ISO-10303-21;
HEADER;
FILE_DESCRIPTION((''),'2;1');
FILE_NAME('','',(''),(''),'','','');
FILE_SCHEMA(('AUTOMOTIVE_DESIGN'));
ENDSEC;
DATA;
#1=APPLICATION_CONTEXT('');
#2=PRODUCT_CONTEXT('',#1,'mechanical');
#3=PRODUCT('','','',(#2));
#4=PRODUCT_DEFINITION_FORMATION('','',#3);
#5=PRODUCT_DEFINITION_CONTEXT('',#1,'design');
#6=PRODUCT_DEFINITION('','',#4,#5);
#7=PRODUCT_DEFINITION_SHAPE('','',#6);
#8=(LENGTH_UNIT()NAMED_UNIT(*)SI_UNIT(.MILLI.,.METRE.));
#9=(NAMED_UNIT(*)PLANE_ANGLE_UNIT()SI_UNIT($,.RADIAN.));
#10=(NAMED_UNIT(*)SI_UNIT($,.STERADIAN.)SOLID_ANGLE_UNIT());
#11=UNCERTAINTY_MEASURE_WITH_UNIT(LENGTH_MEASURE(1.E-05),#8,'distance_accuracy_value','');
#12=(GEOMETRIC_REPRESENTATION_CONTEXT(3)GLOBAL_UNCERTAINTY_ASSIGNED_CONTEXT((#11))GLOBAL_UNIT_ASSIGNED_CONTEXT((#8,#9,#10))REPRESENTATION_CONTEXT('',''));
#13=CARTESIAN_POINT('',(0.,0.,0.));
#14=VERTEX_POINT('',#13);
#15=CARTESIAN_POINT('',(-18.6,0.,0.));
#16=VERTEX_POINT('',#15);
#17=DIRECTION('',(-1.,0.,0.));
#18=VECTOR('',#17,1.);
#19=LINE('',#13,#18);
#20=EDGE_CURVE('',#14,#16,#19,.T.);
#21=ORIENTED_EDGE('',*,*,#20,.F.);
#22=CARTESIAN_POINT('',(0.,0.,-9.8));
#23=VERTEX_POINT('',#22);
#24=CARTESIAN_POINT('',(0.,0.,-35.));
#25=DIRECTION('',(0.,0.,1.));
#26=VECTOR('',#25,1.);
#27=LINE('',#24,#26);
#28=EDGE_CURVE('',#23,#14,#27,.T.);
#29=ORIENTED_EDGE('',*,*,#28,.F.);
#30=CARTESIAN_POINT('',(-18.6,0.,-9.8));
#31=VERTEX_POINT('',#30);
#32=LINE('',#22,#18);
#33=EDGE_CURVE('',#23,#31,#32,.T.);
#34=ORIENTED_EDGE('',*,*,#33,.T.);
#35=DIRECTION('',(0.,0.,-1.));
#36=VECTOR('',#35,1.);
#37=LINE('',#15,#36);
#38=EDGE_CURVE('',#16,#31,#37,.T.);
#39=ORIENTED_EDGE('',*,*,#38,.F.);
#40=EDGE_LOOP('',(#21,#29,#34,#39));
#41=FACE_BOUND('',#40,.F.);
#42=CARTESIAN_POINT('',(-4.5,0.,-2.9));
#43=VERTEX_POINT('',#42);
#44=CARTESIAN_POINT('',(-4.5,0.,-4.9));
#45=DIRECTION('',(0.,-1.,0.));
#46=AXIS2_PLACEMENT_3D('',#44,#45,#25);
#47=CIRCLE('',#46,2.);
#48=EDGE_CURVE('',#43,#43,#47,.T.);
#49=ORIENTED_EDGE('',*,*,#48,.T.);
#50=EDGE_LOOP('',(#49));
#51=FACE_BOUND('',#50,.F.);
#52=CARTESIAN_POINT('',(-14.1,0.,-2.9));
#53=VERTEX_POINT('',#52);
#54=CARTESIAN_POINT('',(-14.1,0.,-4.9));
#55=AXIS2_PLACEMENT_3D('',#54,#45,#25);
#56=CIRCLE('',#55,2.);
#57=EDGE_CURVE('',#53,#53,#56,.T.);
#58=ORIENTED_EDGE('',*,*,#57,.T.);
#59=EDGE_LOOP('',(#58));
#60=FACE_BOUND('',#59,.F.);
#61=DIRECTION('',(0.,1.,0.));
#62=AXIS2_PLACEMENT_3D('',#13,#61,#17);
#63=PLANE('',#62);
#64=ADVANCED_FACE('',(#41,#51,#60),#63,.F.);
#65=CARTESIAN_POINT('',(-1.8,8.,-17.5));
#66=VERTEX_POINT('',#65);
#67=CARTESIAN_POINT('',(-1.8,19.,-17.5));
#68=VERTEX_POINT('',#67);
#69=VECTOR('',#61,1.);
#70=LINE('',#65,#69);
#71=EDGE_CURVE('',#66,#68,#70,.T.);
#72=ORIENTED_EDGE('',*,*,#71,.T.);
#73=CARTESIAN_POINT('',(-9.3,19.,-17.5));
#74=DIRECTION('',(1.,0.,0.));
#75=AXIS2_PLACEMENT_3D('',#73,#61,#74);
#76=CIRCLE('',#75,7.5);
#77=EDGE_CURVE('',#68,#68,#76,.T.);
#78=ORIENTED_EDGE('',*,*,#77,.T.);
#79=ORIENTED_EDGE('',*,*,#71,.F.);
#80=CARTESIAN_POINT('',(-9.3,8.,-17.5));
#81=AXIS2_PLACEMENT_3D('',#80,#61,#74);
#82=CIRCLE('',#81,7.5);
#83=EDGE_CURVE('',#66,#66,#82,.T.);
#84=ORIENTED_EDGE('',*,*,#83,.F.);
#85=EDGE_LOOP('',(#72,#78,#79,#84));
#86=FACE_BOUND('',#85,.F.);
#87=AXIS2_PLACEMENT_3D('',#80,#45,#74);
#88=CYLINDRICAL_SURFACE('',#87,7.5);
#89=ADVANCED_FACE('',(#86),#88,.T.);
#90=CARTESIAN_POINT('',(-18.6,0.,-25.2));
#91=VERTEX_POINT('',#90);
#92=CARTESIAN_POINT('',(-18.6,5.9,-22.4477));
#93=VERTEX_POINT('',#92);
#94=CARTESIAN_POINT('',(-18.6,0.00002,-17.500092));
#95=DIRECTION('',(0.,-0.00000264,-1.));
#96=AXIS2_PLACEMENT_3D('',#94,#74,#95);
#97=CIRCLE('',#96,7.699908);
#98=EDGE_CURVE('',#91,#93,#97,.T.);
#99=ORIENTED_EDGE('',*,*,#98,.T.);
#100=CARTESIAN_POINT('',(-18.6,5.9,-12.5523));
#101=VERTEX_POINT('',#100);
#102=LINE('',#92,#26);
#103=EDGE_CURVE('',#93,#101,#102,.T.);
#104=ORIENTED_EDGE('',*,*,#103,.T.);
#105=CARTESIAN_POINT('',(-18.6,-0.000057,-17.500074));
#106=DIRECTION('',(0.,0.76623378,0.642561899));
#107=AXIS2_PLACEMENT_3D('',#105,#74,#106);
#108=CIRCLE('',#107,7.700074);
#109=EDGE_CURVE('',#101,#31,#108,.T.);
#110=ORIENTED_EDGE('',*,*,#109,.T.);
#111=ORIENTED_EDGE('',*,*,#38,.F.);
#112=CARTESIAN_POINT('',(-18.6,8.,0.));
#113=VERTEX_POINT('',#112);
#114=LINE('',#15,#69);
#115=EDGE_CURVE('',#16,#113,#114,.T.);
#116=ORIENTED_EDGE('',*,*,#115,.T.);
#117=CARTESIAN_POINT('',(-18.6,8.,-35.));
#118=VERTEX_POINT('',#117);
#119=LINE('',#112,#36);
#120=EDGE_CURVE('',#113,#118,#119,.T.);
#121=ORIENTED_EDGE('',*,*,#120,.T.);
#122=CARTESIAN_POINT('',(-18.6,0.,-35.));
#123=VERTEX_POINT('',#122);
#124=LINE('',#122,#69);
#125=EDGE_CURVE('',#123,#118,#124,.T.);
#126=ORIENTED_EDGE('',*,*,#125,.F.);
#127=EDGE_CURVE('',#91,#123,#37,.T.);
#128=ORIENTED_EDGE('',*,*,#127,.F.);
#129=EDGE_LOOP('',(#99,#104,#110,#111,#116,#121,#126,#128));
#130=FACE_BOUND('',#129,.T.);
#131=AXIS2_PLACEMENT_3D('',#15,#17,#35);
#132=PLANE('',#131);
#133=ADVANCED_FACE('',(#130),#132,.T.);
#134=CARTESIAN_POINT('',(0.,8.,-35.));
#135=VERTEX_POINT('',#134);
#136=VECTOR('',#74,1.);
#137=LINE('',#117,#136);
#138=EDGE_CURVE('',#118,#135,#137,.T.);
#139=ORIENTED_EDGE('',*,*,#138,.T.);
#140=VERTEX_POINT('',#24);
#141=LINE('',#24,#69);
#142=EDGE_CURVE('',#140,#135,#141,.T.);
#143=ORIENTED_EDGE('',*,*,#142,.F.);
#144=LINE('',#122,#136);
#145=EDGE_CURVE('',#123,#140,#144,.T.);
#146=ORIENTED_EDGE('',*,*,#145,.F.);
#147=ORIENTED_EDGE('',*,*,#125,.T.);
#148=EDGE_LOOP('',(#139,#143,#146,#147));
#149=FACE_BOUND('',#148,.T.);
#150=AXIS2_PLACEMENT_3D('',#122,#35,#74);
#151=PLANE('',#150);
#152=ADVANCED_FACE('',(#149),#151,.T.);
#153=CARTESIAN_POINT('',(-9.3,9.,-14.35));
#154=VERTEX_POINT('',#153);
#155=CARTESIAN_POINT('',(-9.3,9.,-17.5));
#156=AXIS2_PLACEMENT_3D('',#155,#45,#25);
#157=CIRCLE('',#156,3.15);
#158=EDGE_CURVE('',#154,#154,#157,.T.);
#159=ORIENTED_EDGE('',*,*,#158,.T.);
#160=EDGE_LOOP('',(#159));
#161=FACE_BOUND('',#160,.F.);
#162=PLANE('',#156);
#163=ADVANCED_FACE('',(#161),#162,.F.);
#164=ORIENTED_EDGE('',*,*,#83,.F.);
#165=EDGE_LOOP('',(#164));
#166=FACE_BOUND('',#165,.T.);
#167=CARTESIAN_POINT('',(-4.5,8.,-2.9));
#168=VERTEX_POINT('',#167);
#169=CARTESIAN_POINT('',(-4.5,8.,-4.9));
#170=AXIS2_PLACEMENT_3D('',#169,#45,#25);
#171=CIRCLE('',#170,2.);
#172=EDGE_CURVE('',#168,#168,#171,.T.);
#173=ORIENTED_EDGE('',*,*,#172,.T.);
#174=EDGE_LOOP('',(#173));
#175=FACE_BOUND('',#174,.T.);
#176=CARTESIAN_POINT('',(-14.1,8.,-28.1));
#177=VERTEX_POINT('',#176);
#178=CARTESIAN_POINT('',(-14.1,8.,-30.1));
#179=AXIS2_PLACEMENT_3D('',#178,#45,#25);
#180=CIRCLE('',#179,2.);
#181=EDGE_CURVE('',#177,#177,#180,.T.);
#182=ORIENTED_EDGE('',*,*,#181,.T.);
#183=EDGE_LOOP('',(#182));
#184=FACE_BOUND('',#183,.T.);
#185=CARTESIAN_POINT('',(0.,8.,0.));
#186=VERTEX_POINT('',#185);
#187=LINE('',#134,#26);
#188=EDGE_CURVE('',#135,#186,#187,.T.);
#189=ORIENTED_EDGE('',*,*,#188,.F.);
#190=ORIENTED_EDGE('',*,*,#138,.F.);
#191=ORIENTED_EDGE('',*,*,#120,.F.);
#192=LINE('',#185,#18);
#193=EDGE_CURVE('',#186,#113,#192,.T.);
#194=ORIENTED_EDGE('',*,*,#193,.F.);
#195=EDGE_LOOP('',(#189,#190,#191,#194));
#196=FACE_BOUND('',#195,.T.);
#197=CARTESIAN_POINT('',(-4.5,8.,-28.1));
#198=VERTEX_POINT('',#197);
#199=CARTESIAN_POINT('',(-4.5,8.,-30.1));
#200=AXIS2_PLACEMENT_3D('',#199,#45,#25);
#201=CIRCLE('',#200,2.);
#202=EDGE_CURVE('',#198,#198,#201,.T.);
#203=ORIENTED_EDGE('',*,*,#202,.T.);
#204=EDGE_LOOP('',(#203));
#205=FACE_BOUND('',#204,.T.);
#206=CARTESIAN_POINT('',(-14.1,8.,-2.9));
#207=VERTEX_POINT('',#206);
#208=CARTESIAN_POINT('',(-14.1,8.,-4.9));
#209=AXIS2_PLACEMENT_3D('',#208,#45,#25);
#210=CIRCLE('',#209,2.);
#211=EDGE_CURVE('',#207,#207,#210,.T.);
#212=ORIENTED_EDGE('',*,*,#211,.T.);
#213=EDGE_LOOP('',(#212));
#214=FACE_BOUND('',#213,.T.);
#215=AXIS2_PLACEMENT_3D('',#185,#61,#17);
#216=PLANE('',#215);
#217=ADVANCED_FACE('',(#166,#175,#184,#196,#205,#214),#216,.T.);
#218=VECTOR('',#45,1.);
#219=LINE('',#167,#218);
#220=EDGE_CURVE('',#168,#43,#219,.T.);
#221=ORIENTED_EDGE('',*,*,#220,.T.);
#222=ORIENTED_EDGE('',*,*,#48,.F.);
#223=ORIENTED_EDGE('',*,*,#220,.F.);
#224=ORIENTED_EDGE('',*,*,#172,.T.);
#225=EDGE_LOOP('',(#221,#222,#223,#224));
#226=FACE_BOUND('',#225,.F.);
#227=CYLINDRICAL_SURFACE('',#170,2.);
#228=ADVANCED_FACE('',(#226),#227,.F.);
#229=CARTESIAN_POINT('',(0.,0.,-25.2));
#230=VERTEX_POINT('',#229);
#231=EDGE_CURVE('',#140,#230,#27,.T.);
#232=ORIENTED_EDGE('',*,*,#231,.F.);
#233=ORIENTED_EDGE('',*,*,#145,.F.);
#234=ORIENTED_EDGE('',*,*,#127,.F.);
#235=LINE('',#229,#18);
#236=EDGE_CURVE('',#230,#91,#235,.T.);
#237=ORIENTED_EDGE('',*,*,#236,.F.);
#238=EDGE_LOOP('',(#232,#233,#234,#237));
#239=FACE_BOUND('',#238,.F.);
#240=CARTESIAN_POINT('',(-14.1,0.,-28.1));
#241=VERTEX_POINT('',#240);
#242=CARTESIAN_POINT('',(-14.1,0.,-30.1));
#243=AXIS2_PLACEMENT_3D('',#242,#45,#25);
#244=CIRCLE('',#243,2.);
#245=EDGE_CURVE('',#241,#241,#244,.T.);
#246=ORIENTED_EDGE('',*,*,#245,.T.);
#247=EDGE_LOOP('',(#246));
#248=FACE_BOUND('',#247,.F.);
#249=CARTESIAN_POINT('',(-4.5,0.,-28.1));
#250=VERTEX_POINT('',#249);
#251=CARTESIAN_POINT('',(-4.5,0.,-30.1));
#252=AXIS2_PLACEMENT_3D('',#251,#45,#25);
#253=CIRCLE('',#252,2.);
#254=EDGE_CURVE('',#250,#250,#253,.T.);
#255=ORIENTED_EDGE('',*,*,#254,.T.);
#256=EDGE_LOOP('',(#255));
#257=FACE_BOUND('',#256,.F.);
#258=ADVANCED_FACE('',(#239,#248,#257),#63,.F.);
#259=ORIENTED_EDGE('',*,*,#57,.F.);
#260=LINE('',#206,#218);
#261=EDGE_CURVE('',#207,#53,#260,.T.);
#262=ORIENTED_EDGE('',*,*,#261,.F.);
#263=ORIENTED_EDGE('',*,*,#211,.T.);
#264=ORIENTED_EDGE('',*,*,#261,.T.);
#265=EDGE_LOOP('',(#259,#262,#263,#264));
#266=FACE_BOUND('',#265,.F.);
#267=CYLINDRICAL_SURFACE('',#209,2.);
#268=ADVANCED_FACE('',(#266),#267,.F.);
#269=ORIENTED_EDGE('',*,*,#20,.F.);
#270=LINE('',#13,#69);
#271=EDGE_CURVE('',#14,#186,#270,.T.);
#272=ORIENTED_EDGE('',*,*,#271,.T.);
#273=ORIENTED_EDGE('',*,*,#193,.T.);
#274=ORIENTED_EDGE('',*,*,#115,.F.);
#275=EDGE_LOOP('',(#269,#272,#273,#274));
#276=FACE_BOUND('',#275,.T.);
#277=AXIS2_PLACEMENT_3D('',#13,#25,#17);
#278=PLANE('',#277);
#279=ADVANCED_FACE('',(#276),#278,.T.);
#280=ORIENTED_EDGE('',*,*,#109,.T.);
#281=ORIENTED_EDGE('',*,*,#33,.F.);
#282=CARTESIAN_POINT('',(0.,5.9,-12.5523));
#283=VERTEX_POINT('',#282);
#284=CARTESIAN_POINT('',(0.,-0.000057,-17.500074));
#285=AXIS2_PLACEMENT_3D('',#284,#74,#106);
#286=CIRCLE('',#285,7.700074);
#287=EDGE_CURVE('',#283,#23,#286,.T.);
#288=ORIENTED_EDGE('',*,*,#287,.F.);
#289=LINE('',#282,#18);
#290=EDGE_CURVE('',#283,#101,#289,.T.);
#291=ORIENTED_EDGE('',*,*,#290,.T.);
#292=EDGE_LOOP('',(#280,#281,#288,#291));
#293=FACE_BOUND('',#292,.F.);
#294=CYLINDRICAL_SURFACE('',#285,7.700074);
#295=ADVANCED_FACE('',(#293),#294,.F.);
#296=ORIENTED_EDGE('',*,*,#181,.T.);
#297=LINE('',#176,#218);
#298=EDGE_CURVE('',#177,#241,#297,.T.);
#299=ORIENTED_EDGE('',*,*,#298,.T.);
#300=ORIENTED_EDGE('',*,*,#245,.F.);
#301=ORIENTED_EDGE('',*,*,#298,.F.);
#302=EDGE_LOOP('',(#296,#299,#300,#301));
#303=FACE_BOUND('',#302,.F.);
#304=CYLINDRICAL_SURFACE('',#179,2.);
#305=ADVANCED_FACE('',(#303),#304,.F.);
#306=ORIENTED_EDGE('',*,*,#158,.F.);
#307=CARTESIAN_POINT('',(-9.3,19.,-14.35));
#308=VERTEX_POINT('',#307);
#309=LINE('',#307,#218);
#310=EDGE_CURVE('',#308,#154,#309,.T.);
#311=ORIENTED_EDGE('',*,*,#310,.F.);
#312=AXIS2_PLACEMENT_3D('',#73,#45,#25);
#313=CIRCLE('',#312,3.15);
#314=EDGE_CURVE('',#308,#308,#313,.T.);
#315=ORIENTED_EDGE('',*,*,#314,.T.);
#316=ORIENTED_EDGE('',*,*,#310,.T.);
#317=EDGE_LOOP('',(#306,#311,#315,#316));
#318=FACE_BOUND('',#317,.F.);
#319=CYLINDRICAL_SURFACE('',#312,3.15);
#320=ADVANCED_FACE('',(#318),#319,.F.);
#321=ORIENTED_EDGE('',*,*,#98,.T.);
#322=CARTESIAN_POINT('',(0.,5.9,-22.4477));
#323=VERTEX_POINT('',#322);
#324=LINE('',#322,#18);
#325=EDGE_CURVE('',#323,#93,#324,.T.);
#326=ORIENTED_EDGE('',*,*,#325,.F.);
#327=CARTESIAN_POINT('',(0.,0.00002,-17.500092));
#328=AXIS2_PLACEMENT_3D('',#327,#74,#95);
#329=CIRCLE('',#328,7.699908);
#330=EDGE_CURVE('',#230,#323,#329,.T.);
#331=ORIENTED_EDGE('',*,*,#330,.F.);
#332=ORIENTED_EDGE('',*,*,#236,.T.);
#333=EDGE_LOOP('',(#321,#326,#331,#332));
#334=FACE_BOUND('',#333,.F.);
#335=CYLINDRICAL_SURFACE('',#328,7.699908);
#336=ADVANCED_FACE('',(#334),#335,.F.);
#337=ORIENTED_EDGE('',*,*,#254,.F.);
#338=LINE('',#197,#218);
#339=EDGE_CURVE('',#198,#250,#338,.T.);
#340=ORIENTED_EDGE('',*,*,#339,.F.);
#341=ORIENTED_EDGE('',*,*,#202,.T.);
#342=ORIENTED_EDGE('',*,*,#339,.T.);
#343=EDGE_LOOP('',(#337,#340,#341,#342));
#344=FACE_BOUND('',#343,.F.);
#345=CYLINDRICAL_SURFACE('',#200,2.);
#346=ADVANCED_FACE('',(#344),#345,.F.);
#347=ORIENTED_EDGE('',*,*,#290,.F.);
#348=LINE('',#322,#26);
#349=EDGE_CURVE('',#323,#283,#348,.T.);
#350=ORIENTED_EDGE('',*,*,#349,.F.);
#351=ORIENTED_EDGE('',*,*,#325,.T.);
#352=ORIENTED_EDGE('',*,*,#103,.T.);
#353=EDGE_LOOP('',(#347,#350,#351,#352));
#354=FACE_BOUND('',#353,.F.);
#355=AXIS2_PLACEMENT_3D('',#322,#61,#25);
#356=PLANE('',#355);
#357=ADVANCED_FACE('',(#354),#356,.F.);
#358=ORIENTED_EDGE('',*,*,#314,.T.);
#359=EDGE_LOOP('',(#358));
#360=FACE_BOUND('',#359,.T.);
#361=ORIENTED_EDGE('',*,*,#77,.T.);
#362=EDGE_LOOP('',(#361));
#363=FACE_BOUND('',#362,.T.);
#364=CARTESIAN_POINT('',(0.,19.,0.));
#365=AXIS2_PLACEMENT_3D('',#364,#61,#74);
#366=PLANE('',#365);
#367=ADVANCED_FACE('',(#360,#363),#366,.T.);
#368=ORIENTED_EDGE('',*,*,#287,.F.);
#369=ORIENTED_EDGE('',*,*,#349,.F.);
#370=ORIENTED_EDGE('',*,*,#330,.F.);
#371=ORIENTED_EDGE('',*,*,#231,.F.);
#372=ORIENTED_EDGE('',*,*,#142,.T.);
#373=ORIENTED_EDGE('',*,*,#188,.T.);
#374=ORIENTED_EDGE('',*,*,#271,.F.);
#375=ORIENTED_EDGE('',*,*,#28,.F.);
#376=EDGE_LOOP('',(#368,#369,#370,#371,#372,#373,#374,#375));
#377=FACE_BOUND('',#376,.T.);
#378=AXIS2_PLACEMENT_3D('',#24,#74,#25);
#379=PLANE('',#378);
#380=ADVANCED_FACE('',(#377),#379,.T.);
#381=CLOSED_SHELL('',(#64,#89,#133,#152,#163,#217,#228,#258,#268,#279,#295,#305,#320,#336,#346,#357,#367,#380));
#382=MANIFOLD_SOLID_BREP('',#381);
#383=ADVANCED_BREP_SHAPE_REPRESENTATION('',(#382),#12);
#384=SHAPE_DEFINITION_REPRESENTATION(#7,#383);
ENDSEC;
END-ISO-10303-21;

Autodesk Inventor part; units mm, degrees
ref_plane "YZ Plane" through (0, 0, 0) normal (1, 0, 0) x (0, 1, 0)
ref_plane "XZ Plane" through (0, 0, 0) normal (0, 1, 0) x (-1, 0, 0)
ref_plane "XY Plane" through (0, 0, 0) normal (0, 0, 1) x (1, 0, 0)
sketch "Esquisse1" plane through (0, 0, 0) normal (0, 1, 0) x (-1, 0, 0)
  line L0 (0, 0) -> (18.6, 0)
  line L1 (18.6, 0) -> (18.6, -35)
  line L2 (18.6, -35) -> (0, -35)
  line L3 (0, -35) -> (0, 0)
  dimension "d0" = 18.6
  dimension "d1" = 35
extrude "Extrusion1" add sketch "Esquisse1" along normal blind 8
sketch "Esquisse2" plane through (0, 0, 0) normal (1, 0, 0) x (0, 0, -1)
  line L0 (35, 0) -> (0, 0) projected
  line L1 (25.2, 0) -> (9.8, 0)
  line L2 (22.4477, 5.9) -> (12.5523, 5.9)
  arc A0 (25.2, 0) -> (22.4477, 5.9) centre (17.5, 0) ccw
  arc A1 (12.5523, 5.9) -> (9.8, 0) centre (17.5, 0) ccw
  dimension "d5" = 5.9
extrude "Extrusion2" cut sketch "Esquisse2" against normal up to surface (18.6 mm away)
ref_plane "Plan de construction1" through (-18.6, 0, -4.9) normal (0, 0, 1) x (1, 0, 0)
ref_plane "Plan de construction2" through (0, 0, -30.1) normal (0, 0, -1) x (-1, 0, 0)
ref_plane "Plan de construction3" through (-14.1, 0, 0) normal (-1, 0, 0) x (0, 0, 1)
ref_plane "Plan de construction4" through (-4.5, 0, -35) normal (1, 0, 0) x (0, 0, -1)
hole "Perçage1" at (-4.5, 8, -30.1) direction (0, -1, 0) diameter 4 depth 8
hole "Perçage2" at (-14.1, 8, -30.1) direction (0, -1, 0) diameter 4 depth 8
hole "Perçage3" at (-4.5, 8, -4.9) direction (0, -1, 0) diameter 4 depth 8
hole "Perçage4" at (-14.1, 8, -4.9) direction (0, -1, 0) diameter 4 depth 8
sketch "Esquisse3" plane through (0, 8, 0) normal (0, 1, 0) x (1, 0, 0)
  circle A0 centre (-9.3, 17.5) radius 7.5
  point P0 (0, 0)
  dimension "d48" = 15
extrude "Extrusion3" add sketch "Esquisse3" along normal blind 11
hole "Perçage5" at (-9.3, 19, -17.5) direction (0, -1, 0) diameter 6.3 depth 10
properties part number "bagueSilentbloc"
